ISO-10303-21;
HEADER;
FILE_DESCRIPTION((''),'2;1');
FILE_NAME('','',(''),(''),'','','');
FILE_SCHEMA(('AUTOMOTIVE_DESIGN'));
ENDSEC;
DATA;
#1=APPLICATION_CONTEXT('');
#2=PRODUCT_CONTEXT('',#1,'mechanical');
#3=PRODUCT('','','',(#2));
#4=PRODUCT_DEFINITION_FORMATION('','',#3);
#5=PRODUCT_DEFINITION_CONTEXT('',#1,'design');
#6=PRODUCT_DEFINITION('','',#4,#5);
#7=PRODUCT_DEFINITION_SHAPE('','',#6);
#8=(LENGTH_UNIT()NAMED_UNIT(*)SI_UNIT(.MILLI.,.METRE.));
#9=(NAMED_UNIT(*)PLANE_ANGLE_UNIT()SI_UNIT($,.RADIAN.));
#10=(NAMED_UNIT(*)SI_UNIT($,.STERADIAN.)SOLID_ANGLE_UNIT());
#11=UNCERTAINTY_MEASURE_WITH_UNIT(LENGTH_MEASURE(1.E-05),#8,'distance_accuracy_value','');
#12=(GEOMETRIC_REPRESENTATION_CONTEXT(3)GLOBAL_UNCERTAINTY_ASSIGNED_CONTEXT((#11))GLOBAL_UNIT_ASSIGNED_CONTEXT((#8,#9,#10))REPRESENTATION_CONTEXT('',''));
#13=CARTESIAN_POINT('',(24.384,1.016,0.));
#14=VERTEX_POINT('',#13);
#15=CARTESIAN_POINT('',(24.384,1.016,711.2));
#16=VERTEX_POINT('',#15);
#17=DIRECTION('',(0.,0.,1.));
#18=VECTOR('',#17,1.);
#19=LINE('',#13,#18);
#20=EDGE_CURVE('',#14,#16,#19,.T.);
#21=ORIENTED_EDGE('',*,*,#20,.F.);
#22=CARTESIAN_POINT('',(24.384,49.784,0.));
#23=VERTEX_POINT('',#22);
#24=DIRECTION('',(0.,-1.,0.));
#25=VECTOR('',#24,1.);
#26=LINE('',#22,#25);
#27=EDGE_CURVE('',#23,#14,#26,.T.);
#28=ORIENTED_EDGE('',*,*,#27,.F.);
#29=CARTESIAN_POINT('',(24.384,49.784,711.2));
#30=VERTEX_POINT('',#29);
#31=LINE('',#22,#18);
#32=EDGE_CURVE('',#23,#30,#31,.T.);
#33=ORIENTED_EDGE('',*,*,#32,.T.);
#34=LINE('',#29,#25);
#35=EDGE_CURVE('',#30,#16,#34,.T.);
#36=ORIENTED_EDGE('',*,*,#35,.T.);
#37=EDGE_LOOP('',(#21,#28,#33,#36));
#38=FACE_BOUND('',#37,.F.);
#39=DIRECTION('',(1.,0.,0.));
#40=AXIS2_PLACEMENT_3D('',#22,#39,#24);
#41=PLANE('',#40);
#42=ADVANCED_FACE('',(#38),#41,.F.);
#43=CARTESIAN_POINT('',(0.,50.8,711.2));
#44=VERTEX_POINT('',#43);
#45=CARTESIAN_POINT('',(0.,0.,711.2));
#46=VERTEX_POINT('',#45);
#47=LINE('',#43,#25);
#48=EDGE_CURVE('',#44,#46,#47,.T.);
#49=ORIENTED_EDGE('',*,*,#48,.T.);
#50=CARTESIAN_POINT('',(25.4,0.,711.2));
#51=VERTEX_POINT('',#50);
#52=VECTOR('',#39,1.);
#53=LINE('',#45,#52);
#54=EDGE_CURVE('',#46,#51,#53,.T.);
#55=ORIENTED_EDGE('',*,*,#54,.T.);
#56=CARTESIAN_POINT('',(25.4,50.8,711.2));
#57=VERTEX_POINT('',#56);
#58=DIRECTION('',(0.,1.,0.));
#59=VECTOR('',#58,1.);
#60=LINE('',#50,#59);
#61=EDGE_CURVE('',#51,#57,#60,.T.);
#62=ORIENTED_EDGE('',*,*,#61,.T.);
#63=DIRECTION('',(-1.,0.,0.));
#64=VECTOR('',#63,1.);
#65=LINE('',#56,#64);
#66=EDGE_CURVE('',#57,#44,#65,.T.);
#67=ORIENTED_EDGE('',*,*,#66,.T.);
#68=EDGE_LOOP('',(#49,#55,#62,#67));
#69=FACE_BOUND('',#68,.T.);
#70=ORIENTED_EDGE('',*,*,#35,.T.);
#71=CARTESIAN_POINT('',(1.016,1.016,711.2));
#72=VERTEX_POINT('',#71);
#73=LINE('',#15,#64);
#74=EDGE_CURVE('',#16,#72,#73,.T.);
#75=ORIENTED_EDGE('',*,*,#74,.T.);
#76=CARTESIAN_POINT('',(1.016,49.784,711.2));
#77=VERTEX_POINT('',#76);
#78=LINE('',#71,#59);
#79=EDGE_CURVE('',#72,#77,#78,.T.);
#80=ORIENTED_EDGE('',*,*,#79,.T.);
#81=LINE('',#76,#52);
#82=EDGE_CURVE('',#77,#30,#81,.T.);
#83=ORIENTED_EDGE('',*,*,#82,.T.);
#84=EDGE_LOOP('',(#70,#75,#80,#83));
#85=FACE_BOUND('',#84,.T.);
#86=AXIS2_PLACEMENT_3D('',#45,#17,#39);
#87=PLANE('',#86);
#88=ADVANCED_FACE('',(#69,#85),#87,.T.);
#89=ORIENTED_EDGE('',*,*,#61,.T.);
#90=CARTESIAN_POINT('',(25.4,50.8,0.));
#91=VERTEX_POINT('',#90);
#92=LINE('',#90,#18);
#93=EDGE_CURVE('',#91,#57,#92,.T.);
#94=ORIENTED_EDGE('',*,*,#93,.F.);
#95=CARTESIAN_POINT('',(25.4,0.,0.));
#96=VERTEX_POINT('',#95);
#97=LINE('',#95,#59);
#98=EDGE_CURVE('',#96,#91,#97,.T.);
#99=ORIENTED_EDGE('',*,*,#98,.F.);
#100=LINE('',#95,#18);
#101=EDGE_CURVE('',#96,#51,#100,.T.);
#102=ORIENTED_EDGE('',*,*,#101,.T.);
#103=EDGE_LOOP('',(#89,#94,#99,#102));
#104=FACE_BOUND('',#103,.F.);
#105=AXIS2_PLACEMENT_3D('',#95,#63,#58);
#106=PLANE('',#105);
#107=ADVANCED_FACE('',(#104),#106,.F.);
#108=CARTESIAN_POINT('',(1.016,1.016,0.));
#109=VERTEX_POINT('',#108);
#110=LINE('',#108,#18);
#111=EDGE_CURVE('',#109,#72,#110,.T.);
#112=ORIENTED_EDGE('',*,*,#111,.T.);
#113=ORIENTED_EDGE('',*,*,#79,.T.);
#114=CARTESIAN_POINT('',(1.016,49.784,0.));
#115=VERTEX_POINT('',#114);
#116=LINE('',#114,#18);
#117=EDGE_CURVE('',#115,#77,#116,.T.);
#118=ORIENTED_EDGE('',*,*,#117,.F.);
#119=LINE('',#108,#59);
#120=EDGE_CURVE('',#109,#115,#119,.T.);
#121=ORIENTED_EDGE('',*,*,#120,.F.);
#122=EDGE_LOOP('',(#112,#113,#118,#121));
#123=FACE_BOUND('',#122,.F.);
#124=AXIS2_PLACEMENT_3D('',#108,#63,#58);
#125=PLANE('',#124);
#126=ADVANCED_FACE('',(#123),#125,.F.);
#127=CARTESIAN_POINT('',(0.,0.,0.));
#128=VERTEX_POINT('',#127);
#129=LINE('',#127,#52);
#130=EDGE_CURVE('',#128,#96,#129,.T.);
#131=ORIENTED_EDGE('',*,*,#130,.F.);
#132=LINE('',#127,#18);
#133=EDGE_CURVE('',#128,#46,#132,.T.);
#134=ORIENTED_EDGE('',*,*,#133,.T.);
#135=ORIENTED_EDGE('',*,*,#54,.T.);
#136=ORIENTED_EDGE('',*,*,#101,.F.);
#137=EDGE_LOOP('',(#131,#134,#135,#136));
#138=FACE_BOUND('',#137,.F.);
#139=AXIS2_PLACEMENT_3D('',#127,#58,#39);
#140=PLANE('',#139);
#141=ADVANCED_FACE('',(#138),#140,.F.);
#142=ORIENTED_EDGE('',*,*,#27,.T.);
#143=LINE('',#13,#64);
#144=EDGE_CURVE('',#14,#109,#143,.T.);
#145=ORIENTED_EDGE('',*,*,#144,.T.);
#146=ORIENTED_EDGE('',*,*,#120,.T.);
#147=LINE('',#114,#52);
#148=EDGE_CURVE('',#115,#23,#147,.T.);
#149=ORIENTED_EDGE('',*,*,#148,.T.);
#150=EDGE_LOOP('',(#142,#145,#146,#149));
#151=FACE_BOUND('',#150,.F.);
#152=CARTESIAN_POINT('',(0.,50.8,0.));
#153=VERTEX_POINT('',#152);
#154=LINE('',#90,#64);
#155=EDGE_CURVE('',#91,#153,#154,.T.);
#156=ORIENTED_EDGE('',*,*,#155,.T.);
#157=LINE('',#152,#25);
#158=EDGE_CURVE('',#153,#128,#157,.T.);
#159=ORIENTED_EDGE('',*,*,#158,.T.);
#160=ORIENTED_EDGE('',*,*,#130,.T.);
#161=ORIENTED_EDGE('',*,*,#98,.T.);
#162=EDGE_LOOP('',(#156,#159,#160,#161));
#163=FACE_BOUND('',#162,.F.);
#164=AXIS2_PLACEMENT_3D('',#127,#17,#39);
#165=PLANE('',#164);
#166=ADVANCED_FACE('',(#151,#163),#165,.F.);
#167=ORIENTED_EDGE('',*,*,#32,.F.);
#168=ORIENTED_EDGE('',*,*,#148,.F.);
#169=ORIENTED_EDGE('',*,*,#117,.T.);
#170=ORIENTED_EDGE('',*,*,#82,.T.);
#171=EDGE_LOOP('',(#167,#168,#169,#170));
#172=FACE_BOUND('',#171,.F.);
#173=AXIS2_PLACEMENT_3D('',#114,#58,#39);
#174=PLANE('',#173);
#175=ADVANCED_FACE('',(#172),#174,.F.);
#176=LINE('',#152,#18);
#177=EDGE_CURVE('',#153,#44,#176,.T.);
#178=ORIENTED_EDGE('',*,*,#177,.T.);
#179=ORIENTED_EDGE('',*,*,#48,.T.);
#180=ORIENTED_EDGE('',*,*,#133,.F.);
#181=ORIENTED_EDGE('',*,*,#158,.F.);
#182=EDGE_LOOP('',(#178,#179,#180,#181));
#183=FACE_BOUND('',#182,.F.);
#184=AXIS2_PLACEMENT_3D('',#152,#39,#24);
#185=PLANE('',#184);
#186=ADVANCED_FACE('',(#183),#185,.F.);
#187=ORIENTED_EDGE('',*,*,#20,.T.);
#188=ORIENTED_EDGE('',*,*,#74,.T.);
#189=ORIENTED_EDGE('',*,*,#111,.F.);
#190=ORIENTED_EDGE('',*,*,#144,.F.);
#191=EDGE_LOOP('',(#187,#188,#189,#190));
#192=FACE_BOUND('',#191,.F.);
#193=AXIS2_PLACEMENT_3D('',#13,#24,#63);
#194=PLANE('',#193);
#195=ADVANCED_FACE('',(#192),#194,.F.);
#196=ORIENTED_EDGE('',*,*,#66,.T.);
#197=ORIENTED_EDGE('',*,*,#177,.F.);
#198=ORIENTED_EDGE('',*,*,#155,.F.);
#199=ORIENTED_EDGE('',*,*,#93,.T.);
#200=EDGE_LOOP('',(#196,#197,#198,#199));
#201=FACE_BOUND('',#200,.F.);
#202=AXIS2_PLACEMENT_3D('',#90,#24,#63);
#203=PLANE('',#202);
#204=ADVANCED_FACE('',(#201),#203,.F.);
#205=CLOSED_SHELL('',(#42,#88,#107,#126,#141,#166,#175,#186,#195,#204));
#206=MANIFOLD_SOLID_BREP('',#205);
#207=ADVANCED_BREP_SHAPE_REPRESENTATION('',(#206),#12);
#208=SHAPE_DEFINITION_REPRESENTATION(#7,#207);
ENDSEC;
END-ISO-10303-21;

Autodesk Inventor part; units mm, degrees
ref_plane "YZ Plane" through (0, 0, 0) normal (1, 0, 0) x (0, 1, 0)
ref_plane "XZ Plane" through (0, 0, 0) normal (0, 1, 0) x (-1, 0, 0)
ref_plane "XY Plane" through (0, 0, 0) normal (0, 0, 1) x (1, 0, 0)
sketch "Sketch1" plane through (0, 0, 0) normal (0, 0, 1) x (1, 0, 0)
  line L0 (0, 0) -> (25.4, 0)
  line L1 (25.4, 0) -> (25.4, 50.8)
  line L2 (25.4, 50.8) -> (0, 50.8)
  line L3 (0, 50.8) -> (0, 0)
  line L4 (24.384, 49.784) -> (24.384, 1.016)
  line L5 (24.384, 1.016) -> (1.016, 1.016)
  line L6 (1.016, 1.016) -> (1.016, 49.784)
  line L7 (1.016, 49.784) -> (24.384, 49.784)
  dimension "d0" = 25.4
  dimension "d1" = 50.8
  dimension "d2" = 1.016
extrude "Extrusion1" add sketch "Sketch1" along normal blind 711.2
properties part number "28in OChannel 1x2" material "Aluminum 6061-AHC"
